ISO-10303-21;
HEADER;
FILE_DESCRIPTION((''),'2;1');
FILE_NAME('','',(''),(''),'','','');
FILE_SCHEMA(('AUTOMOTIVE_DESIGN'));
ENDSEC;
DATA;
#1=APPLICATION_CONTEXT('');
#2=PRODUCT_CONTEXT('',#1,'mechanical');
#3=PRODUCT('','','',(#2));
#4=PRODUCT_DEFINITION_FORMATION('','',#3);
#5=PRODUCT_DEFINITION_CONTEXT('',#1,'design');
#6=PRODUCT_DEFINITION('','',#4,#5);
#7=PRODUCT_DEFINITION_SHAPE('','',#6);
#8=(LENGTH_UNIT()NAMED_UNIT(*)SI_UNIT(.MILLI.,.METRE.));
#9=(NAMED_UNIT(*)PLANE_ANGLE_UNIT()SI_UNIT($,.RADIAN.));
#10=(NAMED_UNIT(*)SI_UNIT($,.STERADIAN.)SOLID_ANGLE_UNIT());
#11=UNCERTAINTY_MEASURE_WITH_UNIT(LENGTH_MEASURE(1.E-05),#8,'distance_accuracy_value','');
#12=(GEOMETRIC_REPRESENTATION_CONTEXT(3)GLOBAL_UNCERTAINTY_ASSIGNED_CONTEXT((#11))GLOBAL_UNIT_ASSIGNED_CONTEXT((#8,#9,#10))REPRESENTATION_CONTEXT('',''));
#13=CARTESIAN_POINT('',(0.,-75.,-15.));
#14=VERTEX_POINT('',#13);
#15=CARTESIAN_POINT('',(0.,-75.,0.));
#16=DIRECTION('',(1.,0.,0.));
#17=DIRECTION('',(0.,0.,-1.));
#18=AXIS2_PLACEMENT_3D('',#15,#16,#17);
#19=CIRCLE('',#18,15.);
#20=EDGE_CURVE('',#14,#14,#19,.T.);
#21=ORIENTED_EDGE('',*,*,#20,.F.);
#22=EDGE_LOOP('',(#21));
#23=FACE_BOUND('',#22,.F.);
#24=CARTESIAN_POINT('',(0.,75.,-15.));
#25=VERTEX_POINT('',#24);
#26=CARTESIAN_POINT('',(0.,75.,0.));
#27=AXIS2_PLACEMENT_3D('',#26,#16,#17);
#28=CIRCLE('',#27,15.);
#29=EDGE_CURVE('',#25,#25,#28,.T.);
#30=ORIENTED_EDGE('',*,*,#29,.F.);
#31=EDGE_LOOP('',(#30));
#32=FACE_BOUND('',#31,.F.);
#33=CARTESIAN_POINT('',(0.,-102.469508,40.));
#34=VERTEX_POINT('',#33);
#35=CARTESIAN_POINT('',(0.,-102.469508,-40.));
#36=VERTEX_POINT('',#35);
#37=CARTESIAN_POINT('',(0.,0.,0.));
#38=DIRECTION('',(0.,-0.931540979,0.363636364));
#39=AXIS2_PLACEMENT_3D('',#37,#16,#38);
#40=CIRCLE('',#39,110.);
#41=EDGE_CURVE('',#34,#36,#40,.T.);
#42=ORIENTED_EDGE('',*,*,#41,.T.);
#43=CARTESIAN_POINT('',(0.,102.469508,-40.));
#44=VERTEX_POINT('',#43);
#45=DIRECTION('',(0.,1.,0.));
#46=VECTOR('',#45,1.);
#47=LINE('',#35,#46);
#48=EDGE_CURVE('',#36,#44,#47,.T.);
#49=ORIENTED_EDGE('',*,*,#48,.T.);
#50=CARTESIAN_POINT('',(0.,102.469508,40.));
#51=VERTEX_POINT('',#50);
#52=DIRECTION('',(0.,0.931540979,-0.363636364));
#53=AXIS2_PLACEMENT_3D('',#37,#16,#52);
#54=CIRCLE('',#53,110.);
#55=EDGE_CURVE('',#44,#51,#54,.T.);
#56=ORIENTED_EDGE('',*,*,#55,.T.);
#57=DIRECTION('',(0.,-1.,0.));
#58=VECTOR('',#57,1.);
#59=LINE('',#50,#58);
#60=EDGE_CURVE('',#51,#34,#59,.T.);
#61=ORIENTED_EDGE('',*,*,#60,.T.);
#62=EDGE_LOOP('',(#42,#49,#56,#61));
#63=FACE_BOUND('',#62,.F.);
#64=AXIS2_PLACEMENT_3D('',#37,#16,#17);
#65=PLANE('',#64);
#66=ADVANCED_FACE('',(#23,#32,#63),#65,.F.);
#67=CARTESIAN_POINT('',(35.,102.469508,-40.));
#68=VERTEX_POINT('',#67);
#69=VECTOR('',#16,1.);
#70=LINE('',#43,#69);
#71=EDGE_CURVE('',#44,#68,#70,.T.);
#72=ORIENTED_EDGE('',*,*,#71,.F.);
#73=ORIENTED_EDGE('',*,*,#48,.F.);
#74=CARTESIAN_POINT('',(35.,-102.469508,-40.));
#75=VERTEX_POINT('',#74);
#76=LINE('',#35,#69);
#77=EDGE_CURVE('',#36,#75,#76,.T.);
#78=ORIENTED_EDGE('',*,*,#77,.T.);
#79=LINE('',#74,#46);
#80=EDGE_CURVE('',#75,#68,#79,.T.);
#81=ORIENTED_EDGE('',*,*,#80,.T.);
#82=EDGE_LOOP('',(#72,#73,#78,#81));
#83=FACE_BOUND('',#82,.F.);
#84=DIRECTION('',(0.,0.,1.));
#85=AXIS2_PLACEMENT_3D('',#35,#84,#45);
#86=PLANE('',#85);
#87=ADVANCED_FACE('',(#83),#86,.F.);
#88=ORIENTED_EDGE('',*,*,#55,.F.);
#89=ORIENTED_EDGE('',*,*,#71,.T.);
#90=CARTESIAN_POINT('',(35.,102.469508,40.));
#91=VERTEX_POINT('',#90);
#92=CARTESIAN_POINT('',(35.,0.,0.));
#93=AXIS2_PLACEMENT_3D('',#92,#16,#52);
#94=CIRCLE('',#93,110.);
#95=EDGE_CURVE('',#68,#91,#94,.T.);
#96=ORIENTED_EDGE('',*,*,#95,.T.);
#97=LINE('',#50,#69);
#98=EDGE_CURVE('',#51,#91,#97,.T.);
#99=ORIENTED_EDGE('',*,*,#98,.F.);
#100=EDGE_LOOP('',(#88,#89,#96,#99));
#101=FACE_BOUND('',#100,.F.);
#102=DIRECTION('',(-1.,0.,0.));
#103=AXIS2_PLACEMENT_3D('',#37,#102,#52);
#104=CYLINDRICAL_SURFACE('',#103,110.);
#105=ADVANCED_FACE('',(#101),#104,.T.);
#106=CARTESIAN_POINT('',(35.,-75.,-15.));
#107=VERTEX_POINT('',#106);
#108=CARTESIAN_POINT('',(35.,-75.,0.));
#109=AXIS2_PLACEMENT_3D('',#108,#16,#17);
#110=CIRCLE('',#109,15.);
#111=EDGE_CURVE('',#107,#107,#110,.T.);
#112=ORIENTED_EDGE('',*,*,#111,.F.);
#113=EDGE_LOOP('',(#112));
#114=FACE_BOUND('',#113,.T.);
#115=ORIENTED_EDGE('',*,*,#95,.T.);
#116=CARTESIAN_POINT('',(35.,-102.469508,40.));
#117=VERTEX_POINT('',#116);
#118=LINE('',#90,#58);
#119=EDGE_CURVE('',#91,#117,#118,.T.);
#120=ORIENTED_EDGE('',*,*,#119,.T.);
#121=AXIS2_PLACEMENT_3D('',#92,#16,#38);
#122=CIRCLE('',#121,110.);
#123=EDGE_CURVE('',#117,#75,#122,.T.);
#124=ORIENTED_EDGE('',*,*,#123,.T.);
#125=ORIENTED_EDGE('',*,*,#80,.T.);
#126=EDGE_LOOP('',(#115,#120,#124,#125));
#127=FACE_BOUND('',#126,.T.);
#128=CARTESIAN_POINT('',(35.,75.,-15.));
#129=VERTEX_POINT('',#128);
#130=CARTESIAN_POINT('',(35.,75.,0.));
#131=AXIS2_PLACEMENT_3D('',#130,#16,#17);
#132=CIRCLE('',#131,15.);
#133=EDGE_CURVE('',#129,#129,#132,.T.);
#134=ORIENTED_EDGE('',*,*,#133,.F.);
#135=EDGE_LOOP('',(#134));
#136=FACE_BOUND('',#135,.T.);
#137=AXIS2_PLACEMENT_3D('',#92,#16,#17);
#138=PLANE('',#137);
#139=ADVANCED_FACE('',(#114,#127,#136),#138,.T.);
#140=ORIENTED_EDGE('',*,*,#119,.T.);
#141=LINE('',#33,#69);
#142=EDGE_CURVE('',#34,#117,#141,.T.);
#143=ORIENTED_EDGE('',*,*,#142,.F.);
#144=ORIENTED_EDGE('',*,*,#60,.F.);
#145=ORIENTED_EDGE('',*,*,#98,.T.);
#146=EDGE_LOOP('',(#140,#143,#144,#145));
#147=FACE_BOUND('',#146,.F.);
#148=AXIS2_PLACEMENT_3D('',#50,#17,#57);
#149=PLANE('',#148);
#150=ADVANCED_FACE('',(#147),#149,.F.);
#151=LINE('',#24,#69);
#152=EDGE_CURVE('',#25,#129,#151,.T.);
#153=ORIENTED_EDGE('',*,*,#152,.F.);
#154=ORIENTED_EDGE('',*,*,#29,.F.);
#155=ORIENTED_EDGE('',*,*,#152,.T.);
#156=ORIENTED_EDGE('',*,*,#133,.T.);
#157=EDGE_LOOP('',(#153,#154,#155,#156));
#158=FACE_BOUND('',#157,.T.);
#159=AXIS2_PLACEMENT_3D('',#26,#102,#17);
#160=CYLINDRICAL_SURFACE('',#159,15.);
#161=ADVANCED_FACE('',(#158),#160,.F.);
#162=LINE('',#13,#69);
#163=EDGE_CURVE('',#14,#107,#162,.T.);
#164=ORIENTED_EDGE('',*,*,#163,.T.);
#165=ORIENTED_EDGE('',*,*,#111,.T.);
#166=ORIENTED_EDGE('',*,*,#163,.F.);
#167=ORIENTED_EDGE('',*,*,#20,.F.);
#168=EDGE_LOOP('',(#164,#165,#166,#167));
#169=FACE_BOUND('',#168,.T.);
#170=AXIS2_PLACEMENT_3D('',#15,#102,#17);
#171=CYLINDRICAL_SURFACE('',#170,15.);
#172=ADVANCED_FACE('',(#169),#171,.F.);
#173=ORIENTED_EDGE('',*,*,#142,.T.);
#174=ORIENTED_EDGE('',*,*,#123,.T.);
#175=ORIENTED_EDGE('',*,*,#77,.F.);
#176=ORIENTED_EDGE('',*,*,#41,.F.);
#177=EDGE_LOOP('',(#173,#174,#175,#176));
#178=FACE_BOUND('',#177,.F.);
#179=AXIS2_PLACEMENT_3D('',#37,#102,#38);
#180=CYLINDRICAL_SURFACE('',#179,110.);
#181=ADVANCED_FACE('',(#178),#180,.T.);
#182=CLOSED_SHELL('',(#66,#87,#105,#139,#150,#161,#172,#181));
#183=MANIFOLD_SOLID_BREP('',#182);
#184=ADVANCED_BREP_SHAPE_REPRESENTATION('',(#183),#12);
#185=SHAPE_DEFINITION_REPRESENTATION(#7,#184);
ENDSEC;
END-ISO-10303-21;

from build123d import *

# Parameters (mm, degrees)
SKETCH1_R           = 15
BOSS_EXTRUDE1_DEPTH = 35


with BuildPart() as part:
    # Sketch1 → Boss-Extrude1 (new body)
    with BuildSketch(Plane(origin=(0, 0, 0), x_dir=(0, 0, -1), z_dir=(1, 0, 0))):
        with BuildLine():
            Line((40, -102.46950766), (40, 102.46950766))
            ThreePointArc((40, 102.46950766), (0, 110), (-40, 102.46950766))
            Line((-40, 102.46950766), (-40, -102.46950766))
            ThreePointArc((-40, -102.46950766), (0, -110), (40, -102.46950766))
        make_face()
        with Locations((0, 75)):
            Circle(SKETCH1_R, mode=Mode.SUBTRACT)
        with Locations((0, -75)):
            Circle(SKETCH1_R, mode=Mode.SUBTRACT)
    extrude(amount=BOSS_EXTRUDE1_DEPTH)


solid = part.part
